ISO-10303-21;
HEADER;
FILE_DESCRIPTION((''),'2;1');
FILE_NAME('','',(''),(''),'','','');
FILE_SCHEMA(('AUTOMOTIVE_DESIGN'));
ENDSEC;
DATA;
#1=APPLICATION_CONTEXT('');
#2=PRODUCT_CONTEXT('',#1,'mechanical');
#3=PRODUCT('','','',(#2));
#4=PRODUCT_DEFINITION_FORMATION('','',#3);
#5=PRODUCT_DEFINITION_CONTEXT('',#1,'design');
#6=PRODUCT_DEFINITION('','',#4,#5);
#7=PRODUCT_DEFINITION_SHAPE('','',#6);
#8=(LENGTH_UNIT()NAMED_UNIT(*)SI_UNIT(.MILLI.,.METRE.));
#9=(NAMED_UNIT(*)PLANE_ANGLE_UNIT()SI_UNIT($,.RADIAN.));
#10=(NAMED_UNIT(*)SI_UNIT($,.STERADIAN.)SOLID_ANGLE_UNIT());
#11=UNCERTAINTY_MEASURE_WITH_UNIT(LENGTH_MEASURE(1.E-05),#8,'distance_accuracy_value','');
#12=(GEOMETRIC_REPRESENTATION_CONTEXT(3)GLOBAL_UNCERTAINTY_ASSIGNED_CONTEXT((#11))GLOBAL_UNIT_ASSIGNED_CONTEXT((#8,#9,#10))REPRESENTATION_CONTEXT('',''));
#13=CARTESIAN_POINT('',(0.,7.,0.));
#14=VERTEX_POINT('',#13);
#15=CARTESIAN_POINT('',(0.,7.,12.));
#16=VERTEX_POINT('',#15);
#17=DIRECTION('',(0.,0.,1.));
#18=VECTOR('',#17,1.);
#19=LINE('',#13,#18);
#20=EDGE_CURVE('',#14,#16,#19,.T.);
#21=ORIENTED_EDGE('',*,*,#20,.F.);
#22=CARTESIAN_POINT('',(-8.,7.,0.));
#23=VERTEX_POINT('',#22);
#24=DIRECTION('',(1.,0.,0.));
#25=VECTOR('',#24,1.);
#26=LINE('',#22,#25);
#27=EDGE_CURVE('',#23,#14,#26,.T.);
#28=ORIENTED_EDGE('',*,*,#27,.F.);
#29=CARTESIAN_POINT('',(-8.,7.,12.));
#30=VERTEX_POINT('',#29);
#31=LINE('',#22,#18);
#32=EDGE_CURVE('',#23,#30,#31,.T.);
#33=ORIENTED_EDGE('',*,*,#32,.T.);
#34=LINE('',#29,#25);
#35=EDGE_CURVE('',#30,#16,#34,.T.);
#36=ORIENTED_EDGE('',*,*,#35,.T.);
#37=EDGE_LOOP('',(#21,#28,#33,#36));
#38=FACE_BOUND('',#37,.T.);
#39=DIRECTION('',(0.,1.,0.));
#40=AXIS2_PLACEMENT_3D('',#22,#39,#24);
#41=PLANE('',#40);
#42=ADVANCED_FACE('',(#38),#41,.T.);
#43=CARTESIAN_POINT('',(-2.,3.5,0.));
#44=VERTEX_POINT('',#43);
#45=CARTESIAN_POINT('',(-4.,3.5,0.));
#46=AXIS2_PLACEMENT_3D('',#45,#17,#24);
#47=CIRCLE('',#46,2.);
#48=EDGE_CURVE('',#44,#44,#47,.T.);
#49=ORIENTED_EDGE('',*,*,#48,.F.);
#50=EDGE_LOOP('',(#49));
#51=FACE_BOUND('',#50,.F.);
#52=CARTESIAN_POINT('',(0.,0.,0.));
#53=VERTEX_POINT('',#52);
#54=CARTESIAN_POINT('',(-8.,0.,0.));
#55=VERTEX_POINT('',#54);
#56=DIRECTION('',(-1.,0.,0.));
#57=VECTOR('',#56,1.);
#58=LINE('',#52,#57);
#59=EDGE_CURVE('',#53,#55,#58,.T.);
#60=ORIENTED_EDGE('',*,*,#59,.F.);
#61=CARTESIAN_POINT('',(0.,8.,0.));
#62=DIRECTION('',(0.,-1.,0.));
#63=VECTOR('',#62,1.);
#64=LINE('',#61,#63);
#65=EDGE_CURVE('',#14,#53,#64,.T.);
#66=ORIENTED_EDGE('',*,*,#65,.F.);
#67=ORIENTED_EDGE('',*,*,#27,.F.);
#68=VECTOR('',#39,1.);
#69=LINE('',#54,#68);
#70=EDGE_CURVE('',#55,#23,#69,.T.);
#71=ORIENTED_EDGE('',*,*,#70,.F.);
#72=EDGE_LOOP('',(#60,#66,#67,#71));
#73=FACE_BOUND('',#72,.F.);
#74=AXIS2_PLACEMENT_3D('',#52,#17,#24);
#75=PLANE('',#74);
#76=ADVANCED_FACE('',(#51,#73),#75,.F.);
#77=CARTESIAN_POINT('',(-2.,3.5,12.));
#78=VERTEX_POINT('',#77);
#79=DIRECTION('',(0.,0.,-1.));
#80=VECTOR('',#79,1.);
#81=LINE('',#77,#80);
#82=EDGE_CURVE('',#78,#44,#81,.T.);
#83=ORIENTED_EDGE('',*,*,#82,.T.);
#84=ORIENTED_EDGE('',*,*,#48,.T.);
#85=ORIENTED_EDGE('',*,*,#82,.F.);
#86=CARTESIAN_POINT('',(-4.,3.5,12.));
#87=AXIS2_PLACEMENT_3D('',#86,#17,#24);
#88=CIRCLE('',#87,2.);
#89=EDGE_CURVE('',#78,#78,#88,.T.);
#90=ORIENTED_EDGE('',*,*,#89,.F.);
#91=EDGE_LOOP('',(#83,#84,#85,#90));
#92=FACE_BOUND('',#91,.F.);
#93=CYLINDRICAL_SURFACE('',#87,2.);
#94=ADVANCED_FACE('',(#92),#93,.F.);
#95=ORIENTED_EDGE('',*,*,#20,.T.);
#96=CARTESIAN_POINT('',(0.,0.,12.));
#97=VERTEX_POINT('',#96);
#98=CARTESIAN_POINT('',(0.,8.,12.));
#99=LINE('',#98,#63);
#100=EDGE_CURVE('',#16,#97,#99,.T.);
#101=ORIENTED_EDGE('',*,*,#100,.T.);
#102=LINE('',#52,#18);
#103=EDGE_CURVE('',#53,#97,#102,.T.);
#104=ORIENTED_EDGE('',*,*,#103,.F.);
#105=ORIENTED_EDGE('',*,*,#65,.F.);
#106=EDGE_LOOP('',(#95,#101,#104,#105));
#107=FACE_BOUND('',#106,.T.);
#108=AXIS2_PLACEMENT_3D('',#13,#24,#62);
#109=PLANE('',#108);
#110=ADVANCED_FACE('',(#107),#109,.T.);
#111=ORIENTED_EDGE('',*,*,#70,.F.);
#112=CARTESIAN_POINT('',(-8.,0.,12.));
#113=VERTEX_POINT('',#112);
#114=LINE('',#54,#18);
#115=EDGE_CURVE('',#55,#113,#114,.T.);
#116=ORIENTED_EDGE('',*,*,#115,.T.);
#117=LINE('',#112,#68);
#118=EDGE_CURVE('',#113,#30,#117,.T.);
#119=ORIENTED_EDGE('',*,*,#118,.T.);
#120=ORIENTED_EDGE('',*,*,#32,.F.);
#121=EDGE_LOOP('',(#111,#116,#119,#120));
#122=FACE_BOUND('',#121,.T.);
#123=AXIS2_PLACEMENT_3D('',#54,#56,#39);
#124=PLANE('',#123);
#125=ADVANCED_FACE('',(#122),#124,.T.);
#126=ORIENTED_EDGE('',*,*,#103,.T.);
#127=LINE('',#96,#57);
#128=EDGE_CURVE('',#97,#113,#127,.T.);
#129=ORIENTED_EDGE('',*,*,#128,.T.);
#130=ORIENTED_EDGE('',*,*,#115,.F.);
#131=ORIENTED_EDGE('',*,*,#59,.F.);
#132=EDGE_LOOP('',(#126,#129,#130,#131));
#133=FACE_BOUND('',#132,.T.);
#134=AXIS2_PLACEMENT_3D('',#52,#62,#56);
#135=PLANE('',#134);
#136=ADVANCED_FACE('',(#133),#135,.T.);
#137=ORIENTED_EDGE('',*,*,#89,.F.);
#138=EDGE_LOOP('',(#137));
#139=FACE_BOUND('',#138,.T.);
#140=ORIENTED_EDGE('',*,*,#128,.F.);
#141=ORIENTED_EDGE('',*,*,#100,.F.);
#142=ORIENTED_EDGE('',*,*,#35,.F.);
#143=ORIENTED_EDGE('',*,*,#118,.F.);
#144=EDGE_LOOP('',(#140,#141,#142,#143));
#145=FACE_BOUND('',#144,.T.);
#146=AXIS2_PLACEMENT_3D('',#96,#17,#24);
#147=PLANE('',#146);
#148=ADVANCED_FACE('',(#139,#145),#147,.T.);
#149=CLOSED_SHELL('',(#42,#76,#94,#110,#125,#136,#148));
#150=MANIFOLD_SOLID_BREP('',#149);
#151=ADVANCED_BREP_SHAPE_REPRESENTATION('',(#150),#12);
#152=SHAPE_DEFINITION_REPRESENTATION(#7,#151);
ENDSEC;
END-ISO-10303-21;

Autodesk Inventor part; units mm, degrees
ref_plane "YZ Plane" through (0, 0, 0) normal (1, 0, 0) x (0, 1, 0)
ref_plane "XZ Plane" through (0, 0, 0) normal (0, 1, 0) x (-1, 0, 0)
ref_plane "XY Plane" through (0, 0, 0) normal (0, 0, 1) x (1, 0, 0)
sketch "Sketch1" plane through (0, 0, 0) normal (0, 0, 1) x (1, 0, 0)
  line L0 (0, 0) -> (8, 0)
  line L1 (8, 0) -> (8, 8)
  line L2 (8, 8) -> (0, 8)
  line L3 (0, 8) -> (0, 0)
  line L4 (0, 0) -> (-8, 0)
  line L5 (-8, 0) -> (-8, 7)
  line L6 (-8, 7) -> (0, 7)
  line L7 (0, 7) -> (0, 0)
  point P0 (0, 7)
  dimension "d0" = 8
  dimension "d1" = 8
  dimension "d8" = 8
  dimension "d9" = 7
extrude "Extrusion1" add sketch "Sketch1" along normal blind 12 contours L4 L5 L6 L3
sketch "Sketch2" plane through (0, 0, 12) normal (0, 0, 1) x (1, 0, 0)
  circle A0 centre (-4, 3.5) radius 2
  line L0 (0, 0) -> (0, 7) projected
  line L1 (0, 7) -> (-8, 7) projected
  line L2 (-8, 7) -> (-8, 0) projected
  line L3 (-8, 0) -> (0, 0) projected
  point P0 (-4, -1)
  point P1 (0, 3.5)
  point P2 (-4, 8)
  point P3 (-4, 0)
  point P4 (-8, 3.5)
  dimension "d4" = 4
extrude "Extrusion2" cut sketch "Sketch2" against normal through all contours A0
properties part number "Rack"
